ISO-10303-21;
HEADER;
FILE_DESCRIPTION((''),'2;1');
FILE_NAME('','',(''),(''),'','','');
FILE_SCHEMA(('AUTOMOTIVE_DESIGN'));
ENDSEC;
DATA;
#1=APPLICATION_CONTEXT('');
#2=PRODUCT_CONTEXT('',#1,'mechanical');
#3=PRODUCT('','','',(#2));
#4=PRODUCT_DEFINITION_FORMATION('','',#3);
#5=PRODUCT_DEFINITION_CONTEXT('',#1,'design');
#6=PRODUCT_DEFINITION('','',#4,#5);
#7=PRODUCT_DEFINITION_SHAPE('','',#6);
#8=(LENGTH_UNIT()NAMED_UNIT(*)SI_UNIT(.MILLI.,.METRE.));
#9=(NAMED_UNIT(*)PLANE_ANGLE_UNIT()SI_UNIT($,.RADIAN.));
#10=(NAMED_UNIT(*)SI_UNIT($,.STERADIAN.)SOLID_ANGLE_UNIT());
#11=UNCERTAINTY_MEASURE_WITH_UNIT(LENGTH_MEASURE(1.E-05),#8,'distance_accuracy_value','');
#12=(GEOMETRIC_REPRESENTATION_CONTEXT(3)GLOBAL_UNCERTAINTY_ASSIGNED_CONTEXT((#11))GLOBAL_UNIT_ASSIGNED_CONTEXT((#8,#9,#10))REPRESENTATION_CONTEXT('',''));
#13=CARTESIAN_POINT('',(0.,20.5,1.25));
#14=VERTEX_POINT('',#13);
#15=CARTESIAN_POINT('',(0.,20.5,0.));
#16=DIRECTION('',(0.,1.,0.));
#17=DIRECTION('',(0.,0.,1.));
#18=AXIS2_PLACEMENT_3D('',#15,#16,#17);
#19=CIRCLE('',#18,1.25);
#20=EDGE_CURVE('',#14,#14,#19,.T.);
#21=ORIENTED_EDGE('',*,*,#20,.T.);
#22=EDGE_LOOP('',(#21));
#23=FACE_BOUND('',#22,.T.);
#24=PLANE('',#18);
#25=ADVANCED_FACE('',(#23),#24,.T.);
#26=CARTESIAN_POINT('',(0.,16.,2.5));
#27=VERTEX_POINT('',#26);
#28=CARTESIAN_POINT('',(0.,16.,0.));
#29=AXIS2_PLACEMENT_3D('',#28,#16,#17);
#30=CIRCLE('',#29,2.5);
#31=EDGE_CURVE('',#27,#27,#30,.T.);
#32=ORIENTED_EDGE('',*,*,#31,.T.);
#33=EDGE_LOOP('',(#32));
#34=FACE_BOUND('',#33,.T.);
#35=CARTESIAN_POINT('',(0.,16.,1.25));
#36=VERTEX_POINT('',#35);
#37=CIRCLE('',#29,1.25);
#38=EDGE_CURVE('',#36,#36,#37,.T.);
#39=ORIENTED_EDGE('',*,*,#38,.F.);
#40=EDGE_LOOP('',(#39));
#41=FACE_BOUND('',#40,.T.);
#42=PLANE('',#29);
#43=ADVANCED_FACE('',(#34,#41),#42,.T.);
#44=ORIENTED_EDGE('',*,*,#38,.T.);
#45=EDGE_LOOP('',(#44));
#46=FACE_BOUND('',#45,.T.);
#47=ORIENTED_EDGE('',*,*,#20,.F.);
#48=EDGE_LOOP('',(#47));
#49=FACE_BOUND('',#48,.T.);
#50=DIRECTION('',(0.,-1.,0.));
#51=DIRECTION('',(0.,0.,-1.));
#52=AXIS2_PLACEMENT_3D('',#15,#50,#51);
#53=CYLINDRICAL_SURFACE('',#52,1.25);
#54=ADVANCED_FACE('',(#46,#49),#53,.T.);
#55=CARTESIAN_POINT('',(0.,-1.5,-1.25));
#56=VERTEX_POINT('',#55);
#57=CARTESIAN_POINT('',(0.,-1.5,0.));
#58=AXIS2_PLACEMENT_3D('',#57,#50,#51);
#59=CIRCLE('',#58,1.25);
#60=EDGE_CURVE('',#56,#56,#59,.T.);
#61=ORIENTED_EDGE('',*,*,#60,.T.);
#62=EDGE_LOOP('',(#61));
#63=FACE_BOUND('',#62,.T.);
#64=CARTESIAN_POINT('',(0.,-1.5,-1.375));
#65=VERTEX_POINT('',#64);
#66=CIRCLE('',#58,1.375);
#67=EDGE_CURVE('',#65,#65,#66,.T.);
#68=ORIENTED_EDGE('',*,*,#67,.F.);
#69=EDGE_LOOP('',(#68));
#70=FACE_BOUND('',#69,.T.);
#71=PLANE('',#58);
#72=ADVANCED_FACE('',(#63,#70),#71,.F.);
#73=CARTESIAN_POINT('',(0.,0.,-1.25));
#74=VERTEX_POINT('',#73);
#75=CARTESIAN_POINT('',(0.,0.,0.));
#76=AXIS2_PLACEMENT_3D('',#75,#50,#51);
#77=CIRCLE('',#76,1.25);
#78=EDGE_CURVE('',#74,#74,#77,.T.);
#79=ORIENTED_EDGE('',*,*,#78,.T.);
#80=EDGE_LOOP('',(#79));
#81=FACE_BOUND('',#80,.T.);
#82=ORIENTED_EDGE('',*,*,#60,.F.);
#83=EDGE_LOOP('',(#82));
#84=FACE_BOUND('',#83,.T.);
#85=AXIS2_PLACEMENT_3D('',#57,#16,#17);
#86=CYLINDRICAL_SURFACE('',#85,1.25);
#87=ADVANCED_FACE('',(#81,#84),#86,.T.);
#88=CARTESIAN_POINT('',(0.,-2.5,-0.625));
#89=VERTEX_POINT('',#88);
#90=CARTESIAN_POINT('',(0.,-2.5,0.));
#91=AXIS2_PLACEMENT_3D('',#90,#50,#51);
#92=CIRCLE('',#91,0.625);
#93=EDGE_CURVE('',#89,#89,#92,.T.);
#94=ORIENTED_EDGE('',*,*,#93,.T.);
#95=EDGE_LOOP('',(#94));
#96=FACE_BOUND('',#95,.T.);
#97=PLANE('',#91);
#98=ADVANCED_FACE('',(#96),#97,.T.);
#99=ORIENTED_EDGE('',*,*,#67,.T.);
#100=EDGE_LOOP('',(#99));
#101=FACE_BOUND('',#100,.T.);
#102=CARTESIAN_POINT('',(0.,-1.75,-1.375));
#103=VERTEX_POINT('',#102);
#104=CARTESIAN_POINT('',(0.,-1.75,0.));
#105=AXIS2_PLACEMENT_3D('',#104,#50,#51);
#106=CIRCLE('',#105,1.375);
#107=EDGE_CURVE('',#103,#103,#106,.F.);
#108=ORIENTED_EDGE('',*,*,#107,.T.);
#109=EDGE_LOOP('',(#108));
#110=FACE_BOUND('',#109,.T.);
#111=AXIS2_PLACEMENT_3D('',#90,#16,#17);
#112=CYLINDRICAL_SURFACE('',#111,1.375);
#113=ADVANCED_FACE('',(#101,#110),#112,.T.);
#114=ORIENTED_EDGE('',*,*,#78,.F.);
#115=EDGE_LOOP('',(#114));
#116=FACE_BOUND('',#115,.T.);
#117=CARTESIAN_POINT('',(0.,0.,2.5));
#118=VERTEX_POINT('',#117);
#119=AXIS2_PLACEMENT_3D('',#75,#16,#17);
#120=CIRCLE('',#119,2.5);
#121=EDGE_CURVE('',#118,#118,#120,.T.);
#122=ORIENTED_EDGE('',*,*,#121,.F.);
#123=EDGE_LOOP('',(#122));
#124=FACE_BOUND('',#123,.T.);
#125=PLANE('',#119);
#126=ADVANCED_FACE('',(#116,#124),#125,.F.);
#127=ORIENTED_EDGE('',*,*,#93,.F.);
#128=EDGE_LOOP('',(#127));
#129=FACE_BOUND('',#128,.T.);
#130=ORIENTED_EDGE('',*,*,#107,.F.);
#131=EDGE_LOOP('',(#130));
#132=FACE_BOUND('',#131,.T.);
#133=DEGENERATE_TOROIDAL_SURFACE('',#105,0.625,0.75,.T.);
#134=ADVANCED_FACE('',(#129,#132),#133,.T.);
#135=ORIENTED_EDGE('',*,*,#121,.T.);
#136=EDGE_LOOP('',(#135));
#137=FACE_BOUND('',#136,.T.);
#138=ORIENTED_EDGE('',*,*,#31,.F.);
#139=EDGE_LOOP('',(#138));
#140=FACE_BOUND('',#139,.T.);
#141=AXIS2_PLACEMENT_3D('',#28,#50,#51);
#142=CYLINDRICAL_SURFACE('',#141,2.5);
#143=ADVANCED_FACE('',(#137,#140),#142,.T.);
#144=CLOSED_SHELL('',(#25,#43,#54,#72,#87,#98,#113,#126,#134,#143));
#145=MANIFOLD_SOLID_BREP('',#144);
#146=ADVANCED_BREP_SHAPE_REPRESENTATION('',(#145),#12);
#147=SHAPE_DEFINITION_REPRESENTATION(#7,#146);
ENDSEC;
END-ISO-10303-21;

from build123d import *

# Parameters (mm, degrees)
SKETCH1_R           = 2.5
BOSS_EXTRUDE1_DEPTH = 16
SKETCH2_R           = 1.25
BOSS_EXTRUDE2_DEPTH = 4.5
BOSS_EXTRUDE3_START = 1.5
SKETCH3_R           = 1.25
BOSS_EXTRUDE3_DEPTH = 1.5
SKETCH4_R           = 1.375
BOSS_EXTRUDE4_DEPTH = 1
FILLET1_R           = 0.75


with BuildPart() as part:
    # Sketch1 → Boss-Extrude1 (new body)
    with BuildSketch(Plane(origin=(0, 0, 0), x_dir=(1, 0, 0), z_dir=(0, 1, 0))):
        with Locations(Location((0, 0, 0), (0, 0, 270))):
            Circle(SKETCH1_R)
    extrude(amount=BOSS_EXTRUDE1_DEPTH)

    # Sketch2 → Boss-Extrude2 (add)
    with BuildSketch(Plane(origin=(0, 16, 0), x_dir=(1, 0, 0), z_dir=(0, 1, 0))):
        with Locations(Location((0, 0, 0), (0, 0, 270))):
            Circle(SKETCH2_R)
    extrude(amount=BOSS_EXTRUDE2_DEPTH)

    # Sketch3 → Boss-Extrude3 (add)
    with BuildSketch(Plane(origin=(0, 0, 0), x_dir=(-1, 0, 0), z_dir=(0, -1, 0)).offset(BOSS_EXTRUDE3_START)):
        with Locations(Location((0, 0, 0), (0, 0, 270))):
            Circle(SKETCH3_R)
    extrude(amount=-BOSS_EXTRUDE3_DEPTH)

    # Sketch4 → Boss-Extrude4 (add)
    with BuildSketch(Plane(origin=(0, -1.5, 0), x_dir=(-1, 0, 0), z_dir=(0, -1, 0))):
        with Locations(Location((0, 0, 0), (0, 0, 90))):
            Circle(SKETCH4_R)
    extrude(amount=BOSS_EXTRUDE4_DEPTH)

    # Fillet1
    fillet1_edges = [part.edges().sort_by_distance(p)[0] for p in [
        (0, -2.5, 1.375),
    ]]
    fillet(fillet1_edges, radius=FILLET1_R)


solid = part.part
